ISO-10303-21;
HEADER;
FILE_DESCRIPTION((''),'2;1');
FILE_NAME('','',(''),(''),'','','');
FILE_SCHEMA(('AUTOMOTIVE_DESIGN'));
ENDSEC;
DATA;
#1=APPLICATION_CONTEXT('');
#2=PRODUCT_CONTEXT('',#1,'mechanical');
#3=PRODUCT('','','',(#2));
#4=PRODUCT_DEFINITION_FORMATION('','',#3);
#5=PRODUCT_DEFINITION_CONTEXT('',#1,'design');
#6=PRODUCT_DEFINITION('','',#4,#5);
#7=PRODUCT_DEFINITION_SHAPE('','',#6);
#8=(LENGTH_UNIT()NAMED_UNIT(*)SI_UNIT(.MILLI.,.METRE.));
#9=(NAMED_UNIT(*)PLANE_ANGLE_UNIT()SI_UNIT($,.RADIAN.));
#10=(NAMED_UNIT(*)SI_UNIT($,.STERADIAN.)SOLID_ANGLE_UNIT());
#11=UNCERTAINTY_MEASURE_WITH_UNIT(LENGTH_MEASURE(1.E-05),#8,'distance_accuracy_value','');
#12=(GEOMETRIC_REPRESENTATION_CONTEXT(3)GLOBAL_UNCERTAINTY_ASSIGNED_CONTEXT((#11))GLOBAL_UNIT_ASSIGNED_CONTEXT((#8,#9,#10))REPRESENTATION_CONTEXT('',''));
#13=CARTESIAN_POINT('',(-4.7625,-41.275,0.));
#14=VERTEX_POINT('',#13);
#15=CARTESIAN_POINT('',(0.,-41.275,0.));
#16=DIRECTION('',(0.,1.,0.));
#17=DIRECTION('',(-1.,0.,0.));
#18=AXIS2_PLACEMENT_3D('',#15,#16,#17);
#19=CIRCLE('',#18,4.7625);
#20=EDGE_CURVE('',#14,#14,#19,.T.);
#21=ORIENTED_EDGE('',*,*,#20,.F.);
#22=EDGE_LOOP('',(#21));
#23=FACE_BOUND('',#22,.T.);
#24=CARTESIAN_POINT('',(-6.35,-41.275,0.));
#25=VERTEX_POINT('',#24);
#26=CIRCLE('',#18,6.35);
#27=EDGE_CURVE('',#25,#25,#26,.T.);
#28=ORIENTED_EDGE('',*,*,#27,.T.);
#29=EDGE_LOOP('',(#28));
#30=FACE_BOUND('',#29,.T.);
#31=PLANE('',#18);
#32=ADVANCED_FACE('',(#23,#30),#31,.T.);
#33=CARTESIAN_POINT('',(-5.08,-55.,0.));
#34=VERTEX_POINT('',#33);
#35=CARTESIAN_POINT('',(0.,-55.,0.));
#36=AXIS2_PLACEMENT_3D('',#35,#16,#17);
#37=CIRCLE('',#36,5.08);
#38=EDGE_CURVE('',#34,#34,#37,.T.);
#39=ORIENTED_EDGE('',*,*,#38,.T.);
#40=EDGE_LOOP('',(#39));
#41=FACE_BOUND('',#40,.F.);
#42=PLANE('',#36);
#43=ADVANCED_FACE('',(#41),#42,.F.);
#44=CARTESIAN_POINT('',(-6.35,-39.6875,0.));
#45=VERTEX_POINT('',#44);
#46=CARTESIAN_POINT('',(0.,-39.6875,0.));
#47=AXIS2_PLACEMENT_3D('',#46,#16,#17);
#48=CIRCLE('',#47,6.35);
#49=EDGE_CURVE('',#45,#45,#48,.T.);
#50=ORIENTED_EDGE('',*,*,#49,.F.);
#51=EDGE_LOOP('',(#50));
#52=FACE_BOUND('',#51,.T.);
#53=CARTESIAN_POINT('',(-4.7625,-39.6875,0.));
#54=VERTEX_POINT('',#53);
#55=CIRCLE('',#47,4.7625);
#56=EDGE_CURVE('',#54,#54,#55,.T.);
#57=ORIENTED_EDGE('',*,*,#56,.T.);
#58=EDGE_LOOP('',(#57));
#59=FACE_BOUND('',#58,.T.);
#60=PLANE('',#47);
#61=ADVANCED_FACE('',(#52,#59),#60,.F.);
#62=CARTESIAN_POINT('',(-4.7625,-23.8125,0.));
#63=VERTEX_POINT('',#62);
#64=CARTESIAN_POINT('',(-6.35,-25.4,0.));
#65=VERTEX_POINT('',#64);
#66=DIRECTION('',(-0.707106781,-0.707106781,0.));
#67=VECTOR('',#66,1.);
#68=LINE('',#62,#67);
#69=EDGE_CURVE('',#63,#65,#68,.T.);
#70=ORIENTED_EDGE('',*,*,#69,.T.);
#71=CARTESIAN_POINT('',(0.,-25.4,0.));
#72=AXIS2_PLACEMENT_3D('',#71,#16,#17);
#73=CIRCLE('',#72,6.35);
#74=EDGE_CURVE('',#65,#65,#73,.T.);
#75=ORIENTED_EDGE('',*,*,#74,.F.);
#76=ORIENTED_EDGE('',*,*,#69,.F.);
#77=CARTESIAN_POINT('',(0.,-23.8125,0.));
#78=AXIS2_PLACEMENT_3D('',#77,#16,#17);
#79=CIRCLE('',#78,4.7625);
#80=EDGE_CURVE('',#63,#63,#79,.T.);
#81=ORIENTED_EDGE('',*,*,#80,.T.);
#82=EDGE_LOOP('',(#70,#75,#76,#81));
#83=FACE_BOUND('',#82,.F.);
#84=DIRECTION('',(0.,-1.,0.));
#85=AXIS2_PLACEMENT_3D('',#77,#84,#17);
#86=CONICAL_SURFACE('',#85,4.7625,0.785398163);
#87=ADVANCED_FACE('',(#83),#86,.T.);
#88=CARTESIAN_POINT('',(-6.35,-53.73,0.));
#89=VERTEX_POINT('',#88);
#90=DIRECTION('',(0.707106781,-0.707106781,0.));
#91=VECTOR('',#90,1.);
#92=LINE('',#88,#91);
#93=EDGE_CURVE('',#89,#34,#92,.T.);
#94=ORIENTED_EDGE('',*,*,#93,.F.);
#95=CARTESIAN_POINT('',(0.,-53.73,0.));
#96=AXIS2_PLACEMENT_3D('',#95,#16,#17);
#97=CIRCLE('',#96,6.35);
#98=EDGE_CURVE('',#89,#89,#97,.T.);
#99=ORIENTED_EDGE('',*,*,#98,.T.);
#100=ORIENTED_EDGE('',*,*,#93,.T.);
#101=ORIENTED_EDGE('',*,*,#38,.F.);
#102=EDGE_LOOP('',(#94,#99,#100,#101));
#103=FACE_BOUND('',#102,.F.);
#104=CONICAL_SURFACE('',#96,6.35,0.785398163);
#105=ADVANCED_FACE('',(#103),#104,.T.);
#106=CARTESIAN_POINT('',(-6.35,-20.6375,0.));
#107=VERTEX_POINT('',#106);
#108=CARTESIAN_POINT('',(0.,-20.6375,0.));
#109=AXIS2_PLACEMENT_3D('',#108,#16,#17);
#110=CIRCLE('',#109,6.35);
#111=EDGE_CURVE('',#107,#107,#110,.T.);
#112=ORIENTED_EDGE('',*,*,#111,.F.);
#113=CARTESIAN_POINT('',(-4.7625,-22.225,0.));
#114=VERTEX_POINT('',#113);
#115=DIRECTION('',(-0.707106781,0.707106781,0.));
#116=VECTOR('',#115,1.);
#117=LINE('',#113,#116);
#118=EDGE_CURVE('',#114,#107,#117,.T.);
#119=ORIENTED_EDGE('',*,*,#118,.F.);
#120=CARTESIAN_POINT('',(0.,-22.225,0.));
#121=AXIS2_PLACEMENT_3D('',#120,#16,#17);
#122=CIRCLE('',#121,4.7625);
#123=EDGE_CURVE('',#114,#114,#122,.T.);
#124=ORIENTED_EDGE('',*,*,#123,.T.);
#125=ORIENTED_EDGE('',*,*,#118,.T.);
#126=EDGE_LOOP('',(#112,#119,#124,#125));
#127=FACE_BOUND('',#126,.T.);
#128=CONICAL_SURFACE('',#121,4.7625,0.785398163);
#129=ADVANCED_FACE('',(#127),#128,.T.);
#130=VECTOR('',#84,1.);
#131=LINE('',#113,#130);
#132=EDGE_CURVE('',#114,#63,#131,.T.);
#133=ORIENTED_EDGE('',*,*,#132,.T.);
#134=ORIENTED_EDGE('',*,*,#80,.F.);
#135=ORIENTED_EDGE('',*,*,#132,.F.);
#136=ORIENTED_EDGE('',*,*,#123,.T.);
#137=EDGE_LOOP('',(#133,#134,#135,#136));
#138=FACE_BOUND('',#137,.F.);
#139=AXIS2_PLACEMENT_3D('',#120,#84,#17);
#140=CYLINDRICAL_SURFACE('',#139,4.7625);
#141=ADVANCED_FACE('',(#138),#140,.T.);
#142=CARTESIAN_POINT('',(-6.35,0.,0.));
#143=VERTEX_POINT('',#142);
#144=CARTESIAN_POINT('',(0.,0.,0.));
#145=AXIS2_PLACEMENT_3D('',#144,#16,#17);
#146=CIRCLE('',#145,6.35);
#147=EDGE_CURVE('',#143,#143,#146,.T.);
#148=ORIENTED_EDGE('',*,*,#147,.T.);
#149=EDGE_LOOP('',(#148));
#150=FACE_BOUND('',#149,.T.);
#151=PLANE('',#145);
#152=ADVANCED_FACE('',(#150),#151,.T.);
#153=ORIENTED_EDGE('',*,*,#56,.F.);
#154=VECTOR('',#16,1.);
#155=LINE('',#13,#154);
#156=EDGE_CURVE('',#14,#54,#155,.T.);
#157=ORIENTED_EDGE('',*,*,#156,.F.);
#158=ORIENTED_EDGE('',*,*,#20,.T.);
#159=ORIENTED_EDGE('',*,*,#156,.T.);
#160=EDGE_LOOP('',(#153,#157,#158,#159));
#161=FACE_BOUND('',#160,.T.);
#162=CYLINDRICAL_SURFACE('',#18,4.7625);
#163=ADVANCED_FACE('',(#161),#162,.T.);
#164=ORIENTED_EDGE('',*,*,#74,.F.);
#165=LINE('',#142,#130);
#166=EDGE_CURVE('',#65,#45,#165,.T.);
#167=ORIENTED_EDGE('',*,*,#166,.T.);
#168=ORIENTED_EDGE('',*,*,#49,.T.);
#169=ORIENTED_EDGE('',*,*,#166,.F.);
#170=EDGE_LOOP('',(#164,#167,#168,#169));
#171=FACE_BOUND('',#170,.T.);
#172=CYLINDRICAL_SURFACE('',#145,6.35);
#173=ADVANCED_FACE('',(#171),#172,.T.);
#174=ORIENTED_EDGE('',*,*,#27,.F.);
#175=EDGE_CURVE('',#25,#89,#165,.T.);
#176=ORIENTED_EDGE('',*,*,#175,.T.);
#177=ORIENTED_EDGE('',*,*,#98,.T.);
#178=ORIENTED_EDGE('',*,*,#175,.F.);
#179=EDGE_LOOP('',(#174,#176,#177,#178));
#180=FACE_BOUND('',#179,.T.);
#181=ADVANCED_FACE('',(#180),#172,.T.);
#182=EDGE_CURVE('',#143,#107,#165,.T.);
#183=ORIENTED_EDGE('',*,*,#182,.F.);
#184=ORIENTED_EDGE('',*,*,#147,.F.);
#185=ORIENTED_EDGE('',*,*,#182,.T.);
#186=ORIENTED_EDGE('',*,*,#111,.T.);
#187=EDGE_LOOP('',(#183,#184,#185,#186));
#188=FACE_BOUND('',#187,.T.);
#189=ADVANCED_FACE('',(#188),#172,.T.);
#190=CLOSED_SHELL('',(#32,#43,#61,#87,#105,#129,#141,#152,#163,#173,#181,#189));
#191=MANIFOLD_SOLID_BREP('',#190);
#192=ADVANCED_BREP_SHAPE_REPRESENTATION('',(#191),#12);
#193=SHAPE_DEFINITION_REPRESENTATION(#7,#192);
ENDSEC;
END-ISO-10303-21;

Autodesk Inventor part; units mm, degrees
ref_plane "YZ Plane" through (0, 0, 0) normal (1, 0, 0) x (0, 1, 0)
ref_plane "XZ Plane" through (0, 0, 0) normal (0, 1, 0) x (-1, 0, 0)
ref_plane "XY Plane" through (0, 0, 0) normal (0, 0, 1) x (1, 0, 0)
sketch "Sketch8" plane through (0, 0, 0) normal (0, 1, 0) x (-1, 0, 0)
  circle A0 centre (0, 0) radius 6.35 projected
  point P0 (0, 0)
extrude "Extrusion4" add sketch "Sketch8" against normal blind 55
chamfer "Chamfer2" distance 1.27 angle 45 1 edges at (6.35, -55, 0)
sketch "Sketch9" plane through (0, 0, 0) normal (0, 0, 1) x (1, 0, 0)
  line L0 (-6.35, 0) -> (-6.35, -53.73) projected
  line L1 (-4.7625, -22.225) -> (-4.7625, -23.8125)
  line L2 (-6.35, -25.4) -> (-6.35, -20.6375)
  line L3 (-6.35, -41.275) -> (-4.7625, -41.275)
  line L4 (-4.7625, -41.275) -> (-4.7625, -39.6875)
  line L5 (-4.7625, -39.6875) -> (-6.35, -39.6875)
  line L6 (-6.35, -39.6875) -> (-6.35, -41.275)
  line L7 (0, -64.476) -> (0, 10.746) projected
  line L8 (-4.7625, -22.225) -> (-6.35, -20.6375)
  line L9 (-4.7625, -23.8125) -> (-6.35, -25.4)
  point P0 (0, 0)
revolve "Revolution1" cut sketch "Sketch9" angle 360 about axis through (0, -10, 0) along (0, 1, 0)
properties part number "Crank shaft" material "Steel, High Strength Low Alloy"
